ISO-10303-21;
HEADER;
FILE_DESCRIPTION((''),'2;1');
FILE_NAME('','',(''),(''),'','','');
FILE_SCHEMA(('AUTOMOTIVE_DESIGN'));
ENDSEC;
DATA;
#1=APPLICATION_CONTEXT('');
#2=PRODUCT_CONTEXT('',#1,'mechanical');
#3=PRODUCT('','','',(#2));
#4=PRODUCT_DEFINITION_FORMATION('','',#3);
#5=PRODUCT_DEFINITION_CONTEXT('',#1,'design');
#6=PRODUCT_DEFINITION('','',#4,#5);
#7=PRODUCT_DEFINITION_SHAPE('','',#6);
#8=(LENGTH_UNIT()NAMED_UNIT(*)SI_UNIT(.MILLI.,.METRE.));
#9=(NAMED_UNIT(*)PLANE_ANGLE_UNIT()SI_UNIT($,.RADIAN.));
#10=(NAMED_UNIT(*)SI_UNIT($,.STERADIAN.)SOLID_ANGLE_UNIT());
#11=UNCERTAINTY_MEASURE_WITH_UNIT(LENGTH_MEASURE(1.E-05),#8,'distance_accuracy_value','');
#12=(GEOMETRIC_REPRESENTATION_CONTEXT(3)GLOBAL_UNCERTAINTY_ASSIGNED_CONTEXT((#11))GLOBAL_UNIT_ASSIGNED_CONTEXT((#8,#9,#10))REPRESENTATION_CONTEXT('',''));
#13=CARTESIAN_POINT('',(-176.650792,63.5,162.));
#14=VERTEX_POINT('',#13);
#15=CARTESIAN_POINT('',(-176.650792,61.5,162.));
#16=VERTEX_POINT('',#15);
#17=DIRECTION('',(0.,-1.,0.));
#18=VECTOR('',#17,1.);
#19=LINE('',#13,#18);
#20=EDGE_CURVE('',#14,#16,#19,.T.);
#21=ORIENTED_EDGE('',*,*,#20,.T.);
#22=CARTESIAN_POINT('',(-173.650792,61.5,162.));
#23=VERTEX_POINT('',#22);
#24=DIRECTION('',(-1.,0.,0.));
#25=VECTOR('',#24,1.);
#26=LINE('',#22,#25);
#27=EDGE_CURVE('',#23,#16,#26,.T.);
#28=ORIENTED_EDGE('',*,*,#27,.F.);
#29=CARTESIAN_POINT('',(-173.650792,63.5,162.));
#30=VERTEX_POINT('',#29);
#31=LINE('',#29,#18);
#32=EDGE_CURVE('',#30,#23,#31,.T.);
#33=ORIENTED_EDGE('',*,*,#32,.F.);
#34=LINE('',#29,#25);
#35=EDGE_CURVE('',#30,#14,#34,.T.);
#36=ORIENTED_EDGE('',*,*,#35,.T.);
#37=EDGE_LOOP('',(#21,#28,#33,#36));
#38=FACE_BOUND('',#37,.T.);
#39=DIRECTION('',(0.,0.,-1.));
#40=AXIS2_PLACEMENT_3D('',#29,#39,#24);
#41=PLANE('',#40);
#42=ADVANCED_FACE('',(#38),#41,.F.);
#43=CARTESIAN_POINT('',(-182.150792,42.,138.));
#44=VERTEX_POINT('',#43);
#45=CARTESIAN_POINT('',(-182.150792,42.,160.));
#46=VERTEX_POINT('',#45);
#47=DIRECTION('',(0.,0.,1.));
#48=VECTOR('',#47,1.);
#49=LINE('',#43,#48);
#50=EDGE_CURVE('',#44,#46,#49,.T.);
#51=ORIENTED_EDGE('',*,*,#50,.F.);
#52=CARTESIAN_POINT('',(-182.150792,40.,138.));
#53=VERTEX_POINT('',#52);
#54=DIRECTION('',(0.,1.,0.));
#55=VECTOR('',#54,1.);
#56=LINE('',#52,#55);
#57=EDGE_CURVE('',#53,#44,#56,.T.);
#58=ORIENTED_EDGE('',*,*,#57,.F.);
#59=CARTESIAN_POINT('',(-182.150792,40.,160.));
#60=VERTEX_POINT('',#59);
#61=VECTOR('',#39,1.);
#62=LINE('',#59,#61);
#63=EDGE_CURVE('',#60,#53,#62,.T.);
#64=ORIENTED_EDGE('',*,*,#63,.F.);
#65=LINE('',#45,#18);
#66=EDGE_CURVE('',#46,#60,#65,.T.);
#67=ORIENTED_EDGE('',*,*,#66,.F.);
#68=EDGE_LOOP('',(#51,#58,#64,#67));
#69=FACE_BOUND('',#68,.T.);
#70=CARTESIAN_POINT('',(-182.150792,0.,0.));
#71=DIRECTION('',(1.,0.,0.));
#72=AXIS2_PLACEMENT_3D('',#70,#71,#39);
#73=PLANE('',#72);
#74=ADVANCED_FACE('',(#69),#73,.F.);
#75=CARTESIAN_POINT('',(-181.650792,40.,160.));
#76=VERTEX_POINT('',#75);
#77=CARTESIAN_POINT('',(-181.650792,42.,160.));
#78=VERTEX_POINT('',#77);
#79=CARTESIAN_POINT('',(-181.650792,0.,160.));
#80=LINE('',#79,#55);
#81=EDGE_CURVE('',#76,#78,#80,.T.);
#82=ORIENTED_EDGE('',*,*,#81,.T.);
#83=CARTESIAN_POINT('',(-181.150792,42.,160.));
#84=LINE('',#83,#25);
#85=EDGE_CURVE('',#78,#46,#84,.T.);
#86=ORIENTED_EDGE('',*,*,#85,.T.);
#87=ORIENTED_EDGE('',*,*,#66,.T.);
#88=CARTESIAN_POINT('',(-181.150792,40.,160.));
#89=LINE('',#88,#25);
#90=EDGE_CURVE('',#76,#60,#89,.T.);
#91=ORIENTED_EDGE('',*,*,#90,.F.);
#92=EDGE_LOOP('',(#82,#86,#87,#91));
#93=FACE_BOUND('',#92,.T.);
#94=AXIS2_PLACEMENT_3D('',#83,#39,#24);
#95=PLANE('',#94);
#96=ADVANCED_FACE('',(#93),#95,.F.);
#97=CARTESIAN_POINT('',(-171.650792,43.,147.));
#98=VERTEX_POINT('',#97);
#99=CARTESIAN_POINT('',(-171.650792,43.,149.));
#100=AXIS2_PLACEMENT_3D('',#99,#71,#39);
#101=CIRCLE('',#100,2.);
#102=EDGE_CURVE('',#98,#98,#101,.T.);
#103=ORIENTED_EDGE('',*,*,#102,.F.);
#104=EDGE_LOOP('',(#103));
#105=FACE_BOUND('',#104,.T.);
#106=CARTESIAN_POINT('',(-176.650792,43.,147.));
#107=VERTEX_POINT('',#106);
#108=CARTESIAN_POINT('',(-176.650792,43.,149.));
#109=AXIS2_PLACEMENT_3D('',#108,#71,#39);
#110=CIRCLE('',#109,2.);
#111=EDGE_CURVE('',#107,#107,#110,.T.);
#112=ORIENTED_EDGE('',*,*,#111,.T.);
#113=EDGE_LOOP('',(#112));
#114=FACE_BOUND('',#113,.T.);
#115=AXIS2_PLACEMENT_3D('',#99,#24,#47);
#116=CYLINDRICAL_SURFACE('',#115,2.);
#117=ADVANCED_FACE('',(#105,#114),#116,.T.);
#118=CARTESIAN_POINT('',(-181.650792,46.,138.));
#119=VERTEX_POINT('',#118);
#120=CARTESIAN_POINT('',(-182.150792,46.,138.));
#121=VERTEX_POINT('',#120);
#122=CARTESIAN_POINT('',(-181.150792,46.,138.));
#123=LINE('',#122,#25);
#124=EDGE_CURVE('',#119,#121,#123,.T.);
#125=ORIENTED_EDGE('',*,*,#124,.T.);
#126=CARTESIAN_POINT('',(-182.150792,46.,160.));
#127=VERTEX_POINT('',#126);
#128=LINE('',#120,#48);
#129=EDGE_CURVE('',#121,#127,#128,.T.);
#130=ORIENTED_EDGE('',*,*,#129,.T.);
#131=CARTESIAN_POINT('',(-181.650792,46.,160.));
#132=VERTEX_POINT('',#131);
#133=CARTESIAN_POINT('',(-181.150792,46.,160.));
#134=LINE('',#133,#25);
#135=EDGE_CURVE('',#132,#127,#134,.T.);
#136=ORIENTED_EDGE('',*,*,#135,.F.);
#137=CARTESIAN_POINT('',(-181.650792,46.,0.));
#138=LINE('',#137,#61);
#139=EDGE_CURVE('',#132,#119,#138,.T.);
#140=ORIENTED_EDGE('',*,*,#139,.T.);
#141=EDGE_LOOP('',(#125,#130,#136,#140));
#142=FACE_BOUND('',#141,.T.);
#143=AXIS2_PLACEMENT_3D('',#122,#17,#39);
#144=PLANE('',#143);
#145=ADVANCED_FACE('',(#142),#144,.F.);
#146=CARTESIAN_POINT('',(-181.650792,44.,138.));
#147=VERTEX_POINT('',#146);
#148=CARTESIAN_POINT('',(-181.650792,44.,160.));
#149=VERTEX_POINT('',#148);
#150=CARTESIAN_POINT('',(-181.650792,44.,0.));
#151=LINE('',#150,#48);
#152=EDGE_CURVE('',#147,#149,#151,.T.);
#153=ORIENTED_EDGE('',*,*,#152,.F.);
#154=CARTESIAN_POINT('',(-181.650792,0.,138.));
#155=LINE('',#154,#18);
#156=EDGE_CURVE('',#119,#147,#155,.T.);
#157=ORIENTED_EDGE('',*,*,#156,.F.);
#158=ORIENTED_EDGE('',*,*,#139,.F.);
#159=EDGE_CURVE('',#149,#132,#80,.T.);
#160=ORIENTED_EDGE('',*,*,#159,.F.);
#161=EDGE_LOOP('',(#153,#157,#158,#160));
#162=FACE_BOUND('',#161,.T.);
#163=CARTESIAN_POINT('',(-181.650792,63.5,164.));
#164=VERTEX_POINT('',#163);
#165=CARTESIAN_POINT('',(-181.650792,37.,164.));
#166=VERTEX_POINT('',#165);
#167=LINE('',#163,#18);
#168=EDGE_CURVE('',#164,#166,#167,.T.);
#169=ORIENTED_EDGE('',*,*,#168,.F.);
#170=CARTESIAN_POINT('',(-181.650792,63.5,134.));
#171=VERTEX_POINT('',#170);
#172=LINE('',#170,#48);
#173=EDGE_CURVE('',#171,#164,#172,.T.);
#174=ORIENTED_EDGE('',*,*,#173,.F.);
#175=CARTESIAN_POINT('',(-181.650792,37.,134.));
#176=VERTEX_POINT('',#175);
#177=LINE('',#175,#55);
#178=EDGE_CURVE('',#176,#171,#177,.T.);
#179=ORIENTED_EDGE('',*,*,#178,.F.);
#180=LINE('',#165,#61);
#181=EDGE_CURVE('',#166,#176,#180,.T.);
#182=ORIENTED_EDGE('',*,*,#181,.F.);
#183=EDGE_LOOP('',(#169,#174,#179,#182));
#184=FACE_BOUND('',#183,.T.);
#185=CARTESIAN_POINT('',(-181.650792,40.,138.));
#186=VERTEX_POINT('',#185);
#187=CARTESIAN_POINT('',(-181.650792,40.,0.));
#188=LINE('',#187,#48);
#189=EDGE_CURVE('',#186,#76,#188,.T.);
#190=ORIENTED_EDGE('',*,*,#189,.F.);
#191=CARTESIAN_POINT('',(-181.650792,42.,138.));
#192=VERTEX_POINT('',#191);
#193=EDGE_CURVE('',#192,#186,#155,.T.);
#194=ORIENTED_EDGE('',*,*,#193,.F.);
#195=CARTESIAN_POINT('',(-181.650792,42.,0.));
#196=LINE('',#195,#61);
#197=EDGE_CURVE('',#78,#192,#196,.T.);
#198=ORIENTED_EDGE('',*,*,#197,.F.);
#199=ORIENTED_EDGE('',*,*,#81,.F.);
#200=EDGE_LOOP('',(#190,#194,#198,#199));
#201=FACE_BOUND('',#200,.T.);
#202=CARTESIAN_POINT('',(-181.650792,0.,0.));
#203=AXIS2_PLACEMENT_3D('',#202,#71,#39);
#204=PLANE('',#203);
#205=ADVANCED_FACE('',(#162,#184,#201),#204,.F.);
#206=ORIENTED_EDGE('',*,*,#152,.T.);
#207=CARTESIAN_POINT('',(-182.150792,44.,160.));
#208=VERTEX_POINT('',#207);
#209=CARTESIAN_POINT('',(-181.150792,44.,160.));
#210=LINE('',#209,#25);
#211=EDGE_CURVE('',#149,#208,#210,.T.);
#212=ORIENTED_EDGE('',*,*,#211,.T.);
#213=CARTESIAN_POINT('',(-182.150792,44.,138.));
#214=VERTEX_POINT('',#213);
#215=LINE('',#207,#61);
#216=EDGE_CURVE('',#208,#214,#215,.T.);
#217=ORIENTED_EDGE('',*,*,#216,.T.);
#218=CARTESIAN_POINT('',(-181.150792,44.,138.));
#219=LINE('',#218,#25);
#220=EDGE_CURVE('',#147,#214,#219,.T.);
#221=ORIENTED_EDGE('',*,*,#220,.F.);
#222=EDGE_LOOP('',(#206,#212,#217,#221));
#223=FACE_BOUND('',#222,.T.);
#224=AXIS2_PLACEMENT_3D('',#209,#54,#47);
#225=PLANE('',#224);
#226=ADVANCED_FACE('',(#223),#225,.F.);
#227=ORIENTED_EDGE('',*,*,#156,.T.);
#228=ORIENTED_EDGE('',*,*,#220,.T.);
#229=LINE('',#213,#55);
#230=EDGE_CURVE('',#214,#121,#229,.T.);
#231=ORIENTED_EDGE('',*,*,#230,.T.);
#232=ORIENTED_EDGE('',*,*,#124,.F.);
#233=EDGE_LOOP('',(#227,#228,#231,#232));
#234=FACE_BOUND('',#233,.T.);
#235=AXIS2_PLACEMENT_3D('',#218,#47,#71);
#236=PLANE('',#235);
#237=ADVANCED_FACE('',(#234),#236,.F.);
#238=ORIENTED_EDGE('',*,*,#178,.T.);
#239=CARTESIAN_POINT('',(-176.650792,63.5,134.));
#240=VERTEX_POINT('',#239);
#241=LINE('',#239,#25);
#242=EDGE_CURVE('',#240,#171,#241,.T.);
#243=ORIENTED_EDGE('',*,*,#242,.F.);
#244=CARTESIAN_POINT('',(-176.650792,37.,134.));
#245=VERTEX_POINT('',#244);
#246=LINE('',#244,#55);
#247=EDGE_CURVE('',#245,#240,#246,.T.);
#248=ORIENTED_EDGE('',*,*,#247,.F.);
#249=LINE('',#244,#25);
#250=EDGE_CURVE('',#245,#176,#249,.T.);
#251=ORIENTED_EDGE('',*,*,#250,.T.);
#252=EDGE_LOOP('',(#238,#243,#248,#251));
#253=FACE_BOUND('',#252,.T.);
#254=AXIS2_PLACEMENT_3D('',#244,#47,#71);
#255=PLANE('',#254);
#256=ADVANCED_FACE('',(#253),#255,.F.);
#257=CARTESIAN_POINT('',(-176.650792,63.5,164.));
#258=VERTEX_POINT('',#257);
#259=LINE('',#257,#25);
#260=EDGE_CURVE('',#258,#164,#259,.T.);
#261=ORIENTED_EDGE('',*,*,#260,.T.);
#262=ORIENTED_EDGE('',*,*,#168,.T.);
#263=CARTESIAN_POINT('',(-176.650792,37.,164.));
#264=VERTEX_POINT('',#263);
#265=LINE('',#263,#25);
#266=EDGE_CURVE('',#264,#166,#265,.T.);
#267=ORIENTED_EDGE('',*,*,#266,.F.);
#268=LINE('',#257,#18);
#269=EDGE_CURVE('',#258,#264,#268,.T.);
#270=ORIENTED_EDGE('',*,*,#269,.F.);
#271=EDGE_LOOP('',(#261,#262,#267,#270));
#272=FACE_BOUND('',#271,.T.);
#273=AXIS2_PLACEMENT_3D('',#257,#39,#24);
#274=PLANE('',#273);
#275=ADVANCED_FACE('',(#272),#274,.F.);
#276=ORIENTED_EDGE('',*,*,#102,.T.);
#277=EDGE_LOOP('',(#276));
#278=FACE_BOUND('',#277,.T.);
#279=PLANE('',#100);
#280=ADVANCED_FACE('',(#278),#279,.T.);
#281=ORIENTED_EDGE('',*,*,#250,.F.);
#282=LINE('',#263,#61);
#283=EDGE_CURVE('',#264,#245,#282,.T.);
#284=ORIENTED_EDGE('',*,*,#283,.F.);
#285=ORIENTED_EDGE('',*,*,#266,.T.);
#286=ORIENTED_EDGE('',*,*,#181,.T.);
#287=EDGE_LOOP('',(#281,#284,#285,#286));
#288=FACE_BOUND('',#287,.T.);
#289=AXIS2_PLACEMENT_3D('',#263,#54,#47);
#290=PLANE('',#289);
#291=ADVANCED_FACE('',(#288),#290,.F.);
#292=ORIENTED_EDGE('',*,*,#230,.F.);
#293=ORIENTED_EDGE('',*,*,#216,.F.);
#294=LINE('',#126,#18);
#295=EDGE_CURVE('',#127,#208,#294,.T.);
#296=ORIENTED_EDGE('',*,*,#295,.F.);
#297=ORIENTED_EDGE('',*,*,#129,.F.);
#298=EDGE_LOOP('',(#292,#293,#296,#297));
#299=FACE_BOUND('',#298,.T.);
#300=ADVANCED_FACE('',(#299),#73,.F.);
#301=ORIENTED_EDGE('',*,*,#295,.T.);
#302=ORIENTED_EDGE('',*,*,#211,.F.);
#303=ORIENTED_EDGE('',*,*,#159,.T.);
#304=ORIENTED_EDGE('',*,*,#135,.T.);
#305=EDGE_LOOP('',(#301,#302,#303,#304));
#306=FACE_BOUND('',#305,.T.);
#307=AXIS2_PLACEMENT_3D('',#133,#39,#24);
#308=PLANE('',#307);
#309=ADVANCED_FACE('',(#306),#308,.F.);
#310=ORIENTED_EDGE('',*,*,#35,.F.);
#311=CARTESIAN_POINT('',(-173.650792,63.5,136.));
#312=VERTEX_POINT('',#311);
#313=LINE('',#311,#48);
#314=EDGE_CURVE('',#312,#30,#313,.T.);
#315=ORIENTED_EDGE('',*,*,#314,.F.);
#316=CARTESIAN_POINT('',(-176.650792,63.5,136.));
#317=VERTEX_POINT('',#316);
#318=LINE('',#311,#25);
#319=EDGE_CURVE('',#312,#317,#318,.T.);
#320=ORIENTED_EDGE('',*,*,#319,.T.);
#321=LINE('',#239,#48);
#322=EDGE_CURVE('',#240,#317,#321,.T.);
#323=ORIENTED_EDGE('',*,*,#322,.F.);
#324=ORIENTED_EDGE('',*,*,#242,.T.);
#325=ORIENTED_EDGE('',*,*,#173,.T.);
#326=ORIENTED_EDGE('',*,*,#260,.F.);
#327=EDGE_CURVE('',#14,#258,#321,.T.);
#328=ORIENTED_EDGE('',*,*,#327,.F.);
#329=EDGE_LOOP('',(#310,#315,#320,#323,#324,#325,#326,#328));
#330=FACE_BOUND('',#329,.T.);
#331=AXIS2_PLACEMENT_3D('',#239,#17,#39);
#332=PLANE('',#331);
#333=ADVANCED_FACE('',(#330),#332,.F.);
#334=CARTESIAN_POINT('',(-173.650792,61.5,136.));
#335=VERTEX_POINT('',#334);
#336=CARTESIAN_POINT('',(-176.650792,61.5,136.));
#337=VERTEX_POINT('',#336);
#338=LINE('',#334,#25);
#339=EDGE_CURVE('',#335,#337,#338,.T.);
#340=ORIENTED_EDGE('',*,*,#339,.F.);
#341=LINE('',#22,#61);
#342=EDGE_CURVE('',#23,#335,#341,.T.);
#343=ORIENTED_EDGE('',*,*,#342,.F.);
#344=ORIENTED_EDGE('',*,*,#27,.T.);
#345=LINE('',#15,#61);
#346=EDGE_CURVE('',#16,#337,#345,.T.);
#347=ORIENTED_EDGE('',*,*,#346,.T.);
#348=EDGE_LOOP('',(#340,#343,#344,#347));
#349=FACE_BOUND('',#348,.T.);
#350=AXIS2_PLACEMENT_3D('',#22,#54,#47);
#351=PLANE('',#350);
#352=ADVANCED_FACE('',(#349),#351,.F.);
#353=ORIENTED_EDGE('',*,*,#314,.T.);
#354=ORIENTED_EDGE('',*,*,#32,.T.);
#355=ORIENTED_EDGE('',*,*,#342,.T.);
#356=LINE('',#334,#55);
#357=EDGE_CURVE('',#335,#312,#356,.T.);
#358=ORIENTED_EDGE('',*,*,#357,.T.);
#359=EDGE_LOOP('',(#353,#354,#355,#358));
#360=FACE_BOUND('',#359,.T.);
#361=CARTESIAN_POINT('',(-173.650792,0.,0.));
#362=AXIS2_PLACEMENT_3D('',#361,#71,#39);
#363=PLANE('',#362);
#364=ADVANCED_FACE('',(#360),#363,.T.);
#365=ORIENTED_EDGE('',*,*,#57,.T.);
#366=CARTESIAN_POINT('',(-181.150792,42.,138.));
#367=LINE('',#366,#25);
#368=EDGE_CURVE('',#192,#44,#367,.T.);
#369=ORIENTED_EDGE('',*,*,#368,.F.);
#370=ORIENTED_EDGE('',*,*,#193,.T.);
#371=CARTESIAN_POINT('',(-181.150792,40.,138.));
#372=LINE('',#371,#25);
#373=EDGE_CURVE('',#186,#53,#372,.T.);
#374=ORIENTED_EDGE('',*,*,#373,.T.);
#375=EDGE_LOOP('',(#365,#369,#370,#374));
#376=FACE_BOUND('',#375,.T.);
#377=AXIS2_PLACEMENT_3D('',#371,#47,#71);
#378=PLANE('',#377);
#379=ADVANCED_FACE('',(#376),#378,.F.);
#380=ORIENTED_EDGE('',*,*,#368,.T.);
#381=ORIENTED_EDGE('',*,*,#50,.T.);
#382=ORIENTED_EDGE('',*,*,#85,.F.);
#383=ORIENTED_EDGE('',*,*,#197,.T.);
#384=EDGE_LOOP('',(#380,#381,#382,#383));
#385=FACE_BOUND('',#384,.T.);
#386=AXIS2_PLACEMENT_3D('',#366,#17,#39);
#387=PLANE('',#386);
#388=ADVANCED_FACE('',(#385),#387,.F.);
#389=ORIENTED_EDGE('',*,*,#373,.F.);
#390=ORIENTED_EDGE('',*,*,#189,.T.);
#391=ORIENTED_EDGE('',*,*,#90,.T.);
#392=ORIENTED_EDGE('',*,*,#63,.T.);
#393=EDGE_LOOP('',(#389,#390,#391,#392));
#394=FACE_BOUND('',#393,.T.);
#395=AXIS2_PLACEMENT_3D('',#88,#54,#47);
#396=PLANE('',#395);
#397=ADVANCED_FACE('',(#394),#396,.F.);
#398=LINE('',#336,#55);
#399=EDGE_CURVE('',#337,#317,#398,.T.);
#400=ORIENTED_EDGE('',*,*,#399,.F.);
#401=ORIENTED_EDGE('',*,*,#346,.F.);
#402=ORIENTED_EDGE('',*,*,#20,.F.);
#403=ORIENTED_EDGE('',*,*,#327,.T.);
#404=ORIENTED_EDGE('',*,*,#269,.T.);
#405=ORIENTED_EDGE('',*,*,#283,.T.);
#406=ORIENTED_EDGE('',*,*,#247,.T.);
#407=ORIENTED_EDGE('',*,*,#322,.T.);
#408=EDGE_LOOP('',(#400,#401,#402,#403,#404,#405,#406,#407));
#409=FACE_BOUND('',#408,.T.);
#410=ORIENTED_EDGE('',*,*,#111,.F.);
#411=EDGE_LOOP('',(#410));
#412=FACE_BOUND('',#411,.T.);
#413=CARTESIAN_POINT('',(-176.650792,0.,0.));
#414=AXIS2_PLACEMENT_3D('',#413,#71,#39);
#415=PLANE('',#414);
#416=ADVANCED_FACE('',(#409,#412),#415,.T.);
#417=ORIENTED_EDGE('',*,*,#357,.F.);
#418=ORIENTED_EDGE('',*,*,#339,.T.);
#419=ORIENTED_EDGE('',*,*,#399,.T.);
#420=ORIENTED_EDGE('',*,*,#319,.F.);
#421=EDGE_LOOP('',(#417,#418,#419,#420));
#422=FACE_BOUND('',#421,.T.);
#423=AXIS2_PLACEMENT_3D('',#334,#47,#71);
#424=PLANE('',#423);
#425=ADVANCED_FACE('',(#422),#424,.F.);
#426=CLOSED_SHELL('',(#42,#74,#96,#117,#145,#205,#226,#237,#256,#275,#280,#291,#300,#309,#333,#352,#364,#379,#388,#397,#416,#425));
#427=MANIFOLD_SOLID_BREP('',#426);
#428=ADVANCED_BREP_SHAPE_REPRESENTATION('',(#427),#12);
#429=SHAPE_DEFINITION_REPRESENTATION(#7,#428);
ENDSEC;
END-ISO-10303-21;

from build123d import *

# Parameters (mm, degrees)
SKETCH1_W           = 30
SKETCH1_H           = 26.5
BOSS_EXTRUDE1_DEPTH = 2.5
SKETCH2_W           = 22
SKETCH2_H           = 2
BOSS_EXTRUDE2_DEPTH = 0.5
SKETCH3_W           = 26
SKETCH3_H           = 2
BOSS_EXTRUDE3_DEPTH = 1.5
SKETCH4_R           = 2
BOSS_EXTRUDE4_DEPTH = 2.5


with BuildPart() as part:
    # Sketch1 → Boss-Extrude1 (new, symmetric)
    with BuildSketch(Plane(origin=(-179.150792305, 0, 0), x_dir=(0, 0, -1), z_dir=(1, 0, 0))):
        with Locations((-149, 50.25)):
            Rectangle(SKETCH1_W, SKETCH1_H)
    extrude(amount=BOSS_EXTRUDE1_DEPTH, both=True)

    # Sketch2 → Boss-Extrude2 (add, symmetric)
    with BuildSketch(Plane(origin=(-181.650792305, 0, 0), x_dir=(0, 0, -1), z_dir=(1, 0, 0))):
        with Locations((-149, 41)):
            Rectangle(SKETCH2_W, SKETCH2_H)
        with Locations((-149, 45)):
            Rectangle(SKETCH2_W, SKETCH2_H)
    extrude(amount=BOSS_EXTRUDE2_DEPTH, both=True)

    # Sketch3 → Boss-Extrude3 (add, symmetric)
    with BuildSketch(Plane(origin=(-175.150792305, 0, 0), x_dir=(0, 0, -1), z_dir=(1, 0, 0))):
        with Locations((-149, 62.5)):
            Rectangle(SKETCH3_W, SKETCH3_H)
    extrude(amount=BOSS_EXTRUDE3_DEPTH, both=True)

    # Sketch4 → Boss-Extrude4 (add, symmetric)
    with BuildSketch(Plane(origin=(-174.150792305, 0, 0), x_dir=(0, 0, -1), z_dir=(1, 0, 0))):
        with Locations((-149, 43)):
            Circle(SKETCH4_R)
    extrude(amount=BOSS_EXTRUDE4_DEPTH, both=True)


solid = part.part
